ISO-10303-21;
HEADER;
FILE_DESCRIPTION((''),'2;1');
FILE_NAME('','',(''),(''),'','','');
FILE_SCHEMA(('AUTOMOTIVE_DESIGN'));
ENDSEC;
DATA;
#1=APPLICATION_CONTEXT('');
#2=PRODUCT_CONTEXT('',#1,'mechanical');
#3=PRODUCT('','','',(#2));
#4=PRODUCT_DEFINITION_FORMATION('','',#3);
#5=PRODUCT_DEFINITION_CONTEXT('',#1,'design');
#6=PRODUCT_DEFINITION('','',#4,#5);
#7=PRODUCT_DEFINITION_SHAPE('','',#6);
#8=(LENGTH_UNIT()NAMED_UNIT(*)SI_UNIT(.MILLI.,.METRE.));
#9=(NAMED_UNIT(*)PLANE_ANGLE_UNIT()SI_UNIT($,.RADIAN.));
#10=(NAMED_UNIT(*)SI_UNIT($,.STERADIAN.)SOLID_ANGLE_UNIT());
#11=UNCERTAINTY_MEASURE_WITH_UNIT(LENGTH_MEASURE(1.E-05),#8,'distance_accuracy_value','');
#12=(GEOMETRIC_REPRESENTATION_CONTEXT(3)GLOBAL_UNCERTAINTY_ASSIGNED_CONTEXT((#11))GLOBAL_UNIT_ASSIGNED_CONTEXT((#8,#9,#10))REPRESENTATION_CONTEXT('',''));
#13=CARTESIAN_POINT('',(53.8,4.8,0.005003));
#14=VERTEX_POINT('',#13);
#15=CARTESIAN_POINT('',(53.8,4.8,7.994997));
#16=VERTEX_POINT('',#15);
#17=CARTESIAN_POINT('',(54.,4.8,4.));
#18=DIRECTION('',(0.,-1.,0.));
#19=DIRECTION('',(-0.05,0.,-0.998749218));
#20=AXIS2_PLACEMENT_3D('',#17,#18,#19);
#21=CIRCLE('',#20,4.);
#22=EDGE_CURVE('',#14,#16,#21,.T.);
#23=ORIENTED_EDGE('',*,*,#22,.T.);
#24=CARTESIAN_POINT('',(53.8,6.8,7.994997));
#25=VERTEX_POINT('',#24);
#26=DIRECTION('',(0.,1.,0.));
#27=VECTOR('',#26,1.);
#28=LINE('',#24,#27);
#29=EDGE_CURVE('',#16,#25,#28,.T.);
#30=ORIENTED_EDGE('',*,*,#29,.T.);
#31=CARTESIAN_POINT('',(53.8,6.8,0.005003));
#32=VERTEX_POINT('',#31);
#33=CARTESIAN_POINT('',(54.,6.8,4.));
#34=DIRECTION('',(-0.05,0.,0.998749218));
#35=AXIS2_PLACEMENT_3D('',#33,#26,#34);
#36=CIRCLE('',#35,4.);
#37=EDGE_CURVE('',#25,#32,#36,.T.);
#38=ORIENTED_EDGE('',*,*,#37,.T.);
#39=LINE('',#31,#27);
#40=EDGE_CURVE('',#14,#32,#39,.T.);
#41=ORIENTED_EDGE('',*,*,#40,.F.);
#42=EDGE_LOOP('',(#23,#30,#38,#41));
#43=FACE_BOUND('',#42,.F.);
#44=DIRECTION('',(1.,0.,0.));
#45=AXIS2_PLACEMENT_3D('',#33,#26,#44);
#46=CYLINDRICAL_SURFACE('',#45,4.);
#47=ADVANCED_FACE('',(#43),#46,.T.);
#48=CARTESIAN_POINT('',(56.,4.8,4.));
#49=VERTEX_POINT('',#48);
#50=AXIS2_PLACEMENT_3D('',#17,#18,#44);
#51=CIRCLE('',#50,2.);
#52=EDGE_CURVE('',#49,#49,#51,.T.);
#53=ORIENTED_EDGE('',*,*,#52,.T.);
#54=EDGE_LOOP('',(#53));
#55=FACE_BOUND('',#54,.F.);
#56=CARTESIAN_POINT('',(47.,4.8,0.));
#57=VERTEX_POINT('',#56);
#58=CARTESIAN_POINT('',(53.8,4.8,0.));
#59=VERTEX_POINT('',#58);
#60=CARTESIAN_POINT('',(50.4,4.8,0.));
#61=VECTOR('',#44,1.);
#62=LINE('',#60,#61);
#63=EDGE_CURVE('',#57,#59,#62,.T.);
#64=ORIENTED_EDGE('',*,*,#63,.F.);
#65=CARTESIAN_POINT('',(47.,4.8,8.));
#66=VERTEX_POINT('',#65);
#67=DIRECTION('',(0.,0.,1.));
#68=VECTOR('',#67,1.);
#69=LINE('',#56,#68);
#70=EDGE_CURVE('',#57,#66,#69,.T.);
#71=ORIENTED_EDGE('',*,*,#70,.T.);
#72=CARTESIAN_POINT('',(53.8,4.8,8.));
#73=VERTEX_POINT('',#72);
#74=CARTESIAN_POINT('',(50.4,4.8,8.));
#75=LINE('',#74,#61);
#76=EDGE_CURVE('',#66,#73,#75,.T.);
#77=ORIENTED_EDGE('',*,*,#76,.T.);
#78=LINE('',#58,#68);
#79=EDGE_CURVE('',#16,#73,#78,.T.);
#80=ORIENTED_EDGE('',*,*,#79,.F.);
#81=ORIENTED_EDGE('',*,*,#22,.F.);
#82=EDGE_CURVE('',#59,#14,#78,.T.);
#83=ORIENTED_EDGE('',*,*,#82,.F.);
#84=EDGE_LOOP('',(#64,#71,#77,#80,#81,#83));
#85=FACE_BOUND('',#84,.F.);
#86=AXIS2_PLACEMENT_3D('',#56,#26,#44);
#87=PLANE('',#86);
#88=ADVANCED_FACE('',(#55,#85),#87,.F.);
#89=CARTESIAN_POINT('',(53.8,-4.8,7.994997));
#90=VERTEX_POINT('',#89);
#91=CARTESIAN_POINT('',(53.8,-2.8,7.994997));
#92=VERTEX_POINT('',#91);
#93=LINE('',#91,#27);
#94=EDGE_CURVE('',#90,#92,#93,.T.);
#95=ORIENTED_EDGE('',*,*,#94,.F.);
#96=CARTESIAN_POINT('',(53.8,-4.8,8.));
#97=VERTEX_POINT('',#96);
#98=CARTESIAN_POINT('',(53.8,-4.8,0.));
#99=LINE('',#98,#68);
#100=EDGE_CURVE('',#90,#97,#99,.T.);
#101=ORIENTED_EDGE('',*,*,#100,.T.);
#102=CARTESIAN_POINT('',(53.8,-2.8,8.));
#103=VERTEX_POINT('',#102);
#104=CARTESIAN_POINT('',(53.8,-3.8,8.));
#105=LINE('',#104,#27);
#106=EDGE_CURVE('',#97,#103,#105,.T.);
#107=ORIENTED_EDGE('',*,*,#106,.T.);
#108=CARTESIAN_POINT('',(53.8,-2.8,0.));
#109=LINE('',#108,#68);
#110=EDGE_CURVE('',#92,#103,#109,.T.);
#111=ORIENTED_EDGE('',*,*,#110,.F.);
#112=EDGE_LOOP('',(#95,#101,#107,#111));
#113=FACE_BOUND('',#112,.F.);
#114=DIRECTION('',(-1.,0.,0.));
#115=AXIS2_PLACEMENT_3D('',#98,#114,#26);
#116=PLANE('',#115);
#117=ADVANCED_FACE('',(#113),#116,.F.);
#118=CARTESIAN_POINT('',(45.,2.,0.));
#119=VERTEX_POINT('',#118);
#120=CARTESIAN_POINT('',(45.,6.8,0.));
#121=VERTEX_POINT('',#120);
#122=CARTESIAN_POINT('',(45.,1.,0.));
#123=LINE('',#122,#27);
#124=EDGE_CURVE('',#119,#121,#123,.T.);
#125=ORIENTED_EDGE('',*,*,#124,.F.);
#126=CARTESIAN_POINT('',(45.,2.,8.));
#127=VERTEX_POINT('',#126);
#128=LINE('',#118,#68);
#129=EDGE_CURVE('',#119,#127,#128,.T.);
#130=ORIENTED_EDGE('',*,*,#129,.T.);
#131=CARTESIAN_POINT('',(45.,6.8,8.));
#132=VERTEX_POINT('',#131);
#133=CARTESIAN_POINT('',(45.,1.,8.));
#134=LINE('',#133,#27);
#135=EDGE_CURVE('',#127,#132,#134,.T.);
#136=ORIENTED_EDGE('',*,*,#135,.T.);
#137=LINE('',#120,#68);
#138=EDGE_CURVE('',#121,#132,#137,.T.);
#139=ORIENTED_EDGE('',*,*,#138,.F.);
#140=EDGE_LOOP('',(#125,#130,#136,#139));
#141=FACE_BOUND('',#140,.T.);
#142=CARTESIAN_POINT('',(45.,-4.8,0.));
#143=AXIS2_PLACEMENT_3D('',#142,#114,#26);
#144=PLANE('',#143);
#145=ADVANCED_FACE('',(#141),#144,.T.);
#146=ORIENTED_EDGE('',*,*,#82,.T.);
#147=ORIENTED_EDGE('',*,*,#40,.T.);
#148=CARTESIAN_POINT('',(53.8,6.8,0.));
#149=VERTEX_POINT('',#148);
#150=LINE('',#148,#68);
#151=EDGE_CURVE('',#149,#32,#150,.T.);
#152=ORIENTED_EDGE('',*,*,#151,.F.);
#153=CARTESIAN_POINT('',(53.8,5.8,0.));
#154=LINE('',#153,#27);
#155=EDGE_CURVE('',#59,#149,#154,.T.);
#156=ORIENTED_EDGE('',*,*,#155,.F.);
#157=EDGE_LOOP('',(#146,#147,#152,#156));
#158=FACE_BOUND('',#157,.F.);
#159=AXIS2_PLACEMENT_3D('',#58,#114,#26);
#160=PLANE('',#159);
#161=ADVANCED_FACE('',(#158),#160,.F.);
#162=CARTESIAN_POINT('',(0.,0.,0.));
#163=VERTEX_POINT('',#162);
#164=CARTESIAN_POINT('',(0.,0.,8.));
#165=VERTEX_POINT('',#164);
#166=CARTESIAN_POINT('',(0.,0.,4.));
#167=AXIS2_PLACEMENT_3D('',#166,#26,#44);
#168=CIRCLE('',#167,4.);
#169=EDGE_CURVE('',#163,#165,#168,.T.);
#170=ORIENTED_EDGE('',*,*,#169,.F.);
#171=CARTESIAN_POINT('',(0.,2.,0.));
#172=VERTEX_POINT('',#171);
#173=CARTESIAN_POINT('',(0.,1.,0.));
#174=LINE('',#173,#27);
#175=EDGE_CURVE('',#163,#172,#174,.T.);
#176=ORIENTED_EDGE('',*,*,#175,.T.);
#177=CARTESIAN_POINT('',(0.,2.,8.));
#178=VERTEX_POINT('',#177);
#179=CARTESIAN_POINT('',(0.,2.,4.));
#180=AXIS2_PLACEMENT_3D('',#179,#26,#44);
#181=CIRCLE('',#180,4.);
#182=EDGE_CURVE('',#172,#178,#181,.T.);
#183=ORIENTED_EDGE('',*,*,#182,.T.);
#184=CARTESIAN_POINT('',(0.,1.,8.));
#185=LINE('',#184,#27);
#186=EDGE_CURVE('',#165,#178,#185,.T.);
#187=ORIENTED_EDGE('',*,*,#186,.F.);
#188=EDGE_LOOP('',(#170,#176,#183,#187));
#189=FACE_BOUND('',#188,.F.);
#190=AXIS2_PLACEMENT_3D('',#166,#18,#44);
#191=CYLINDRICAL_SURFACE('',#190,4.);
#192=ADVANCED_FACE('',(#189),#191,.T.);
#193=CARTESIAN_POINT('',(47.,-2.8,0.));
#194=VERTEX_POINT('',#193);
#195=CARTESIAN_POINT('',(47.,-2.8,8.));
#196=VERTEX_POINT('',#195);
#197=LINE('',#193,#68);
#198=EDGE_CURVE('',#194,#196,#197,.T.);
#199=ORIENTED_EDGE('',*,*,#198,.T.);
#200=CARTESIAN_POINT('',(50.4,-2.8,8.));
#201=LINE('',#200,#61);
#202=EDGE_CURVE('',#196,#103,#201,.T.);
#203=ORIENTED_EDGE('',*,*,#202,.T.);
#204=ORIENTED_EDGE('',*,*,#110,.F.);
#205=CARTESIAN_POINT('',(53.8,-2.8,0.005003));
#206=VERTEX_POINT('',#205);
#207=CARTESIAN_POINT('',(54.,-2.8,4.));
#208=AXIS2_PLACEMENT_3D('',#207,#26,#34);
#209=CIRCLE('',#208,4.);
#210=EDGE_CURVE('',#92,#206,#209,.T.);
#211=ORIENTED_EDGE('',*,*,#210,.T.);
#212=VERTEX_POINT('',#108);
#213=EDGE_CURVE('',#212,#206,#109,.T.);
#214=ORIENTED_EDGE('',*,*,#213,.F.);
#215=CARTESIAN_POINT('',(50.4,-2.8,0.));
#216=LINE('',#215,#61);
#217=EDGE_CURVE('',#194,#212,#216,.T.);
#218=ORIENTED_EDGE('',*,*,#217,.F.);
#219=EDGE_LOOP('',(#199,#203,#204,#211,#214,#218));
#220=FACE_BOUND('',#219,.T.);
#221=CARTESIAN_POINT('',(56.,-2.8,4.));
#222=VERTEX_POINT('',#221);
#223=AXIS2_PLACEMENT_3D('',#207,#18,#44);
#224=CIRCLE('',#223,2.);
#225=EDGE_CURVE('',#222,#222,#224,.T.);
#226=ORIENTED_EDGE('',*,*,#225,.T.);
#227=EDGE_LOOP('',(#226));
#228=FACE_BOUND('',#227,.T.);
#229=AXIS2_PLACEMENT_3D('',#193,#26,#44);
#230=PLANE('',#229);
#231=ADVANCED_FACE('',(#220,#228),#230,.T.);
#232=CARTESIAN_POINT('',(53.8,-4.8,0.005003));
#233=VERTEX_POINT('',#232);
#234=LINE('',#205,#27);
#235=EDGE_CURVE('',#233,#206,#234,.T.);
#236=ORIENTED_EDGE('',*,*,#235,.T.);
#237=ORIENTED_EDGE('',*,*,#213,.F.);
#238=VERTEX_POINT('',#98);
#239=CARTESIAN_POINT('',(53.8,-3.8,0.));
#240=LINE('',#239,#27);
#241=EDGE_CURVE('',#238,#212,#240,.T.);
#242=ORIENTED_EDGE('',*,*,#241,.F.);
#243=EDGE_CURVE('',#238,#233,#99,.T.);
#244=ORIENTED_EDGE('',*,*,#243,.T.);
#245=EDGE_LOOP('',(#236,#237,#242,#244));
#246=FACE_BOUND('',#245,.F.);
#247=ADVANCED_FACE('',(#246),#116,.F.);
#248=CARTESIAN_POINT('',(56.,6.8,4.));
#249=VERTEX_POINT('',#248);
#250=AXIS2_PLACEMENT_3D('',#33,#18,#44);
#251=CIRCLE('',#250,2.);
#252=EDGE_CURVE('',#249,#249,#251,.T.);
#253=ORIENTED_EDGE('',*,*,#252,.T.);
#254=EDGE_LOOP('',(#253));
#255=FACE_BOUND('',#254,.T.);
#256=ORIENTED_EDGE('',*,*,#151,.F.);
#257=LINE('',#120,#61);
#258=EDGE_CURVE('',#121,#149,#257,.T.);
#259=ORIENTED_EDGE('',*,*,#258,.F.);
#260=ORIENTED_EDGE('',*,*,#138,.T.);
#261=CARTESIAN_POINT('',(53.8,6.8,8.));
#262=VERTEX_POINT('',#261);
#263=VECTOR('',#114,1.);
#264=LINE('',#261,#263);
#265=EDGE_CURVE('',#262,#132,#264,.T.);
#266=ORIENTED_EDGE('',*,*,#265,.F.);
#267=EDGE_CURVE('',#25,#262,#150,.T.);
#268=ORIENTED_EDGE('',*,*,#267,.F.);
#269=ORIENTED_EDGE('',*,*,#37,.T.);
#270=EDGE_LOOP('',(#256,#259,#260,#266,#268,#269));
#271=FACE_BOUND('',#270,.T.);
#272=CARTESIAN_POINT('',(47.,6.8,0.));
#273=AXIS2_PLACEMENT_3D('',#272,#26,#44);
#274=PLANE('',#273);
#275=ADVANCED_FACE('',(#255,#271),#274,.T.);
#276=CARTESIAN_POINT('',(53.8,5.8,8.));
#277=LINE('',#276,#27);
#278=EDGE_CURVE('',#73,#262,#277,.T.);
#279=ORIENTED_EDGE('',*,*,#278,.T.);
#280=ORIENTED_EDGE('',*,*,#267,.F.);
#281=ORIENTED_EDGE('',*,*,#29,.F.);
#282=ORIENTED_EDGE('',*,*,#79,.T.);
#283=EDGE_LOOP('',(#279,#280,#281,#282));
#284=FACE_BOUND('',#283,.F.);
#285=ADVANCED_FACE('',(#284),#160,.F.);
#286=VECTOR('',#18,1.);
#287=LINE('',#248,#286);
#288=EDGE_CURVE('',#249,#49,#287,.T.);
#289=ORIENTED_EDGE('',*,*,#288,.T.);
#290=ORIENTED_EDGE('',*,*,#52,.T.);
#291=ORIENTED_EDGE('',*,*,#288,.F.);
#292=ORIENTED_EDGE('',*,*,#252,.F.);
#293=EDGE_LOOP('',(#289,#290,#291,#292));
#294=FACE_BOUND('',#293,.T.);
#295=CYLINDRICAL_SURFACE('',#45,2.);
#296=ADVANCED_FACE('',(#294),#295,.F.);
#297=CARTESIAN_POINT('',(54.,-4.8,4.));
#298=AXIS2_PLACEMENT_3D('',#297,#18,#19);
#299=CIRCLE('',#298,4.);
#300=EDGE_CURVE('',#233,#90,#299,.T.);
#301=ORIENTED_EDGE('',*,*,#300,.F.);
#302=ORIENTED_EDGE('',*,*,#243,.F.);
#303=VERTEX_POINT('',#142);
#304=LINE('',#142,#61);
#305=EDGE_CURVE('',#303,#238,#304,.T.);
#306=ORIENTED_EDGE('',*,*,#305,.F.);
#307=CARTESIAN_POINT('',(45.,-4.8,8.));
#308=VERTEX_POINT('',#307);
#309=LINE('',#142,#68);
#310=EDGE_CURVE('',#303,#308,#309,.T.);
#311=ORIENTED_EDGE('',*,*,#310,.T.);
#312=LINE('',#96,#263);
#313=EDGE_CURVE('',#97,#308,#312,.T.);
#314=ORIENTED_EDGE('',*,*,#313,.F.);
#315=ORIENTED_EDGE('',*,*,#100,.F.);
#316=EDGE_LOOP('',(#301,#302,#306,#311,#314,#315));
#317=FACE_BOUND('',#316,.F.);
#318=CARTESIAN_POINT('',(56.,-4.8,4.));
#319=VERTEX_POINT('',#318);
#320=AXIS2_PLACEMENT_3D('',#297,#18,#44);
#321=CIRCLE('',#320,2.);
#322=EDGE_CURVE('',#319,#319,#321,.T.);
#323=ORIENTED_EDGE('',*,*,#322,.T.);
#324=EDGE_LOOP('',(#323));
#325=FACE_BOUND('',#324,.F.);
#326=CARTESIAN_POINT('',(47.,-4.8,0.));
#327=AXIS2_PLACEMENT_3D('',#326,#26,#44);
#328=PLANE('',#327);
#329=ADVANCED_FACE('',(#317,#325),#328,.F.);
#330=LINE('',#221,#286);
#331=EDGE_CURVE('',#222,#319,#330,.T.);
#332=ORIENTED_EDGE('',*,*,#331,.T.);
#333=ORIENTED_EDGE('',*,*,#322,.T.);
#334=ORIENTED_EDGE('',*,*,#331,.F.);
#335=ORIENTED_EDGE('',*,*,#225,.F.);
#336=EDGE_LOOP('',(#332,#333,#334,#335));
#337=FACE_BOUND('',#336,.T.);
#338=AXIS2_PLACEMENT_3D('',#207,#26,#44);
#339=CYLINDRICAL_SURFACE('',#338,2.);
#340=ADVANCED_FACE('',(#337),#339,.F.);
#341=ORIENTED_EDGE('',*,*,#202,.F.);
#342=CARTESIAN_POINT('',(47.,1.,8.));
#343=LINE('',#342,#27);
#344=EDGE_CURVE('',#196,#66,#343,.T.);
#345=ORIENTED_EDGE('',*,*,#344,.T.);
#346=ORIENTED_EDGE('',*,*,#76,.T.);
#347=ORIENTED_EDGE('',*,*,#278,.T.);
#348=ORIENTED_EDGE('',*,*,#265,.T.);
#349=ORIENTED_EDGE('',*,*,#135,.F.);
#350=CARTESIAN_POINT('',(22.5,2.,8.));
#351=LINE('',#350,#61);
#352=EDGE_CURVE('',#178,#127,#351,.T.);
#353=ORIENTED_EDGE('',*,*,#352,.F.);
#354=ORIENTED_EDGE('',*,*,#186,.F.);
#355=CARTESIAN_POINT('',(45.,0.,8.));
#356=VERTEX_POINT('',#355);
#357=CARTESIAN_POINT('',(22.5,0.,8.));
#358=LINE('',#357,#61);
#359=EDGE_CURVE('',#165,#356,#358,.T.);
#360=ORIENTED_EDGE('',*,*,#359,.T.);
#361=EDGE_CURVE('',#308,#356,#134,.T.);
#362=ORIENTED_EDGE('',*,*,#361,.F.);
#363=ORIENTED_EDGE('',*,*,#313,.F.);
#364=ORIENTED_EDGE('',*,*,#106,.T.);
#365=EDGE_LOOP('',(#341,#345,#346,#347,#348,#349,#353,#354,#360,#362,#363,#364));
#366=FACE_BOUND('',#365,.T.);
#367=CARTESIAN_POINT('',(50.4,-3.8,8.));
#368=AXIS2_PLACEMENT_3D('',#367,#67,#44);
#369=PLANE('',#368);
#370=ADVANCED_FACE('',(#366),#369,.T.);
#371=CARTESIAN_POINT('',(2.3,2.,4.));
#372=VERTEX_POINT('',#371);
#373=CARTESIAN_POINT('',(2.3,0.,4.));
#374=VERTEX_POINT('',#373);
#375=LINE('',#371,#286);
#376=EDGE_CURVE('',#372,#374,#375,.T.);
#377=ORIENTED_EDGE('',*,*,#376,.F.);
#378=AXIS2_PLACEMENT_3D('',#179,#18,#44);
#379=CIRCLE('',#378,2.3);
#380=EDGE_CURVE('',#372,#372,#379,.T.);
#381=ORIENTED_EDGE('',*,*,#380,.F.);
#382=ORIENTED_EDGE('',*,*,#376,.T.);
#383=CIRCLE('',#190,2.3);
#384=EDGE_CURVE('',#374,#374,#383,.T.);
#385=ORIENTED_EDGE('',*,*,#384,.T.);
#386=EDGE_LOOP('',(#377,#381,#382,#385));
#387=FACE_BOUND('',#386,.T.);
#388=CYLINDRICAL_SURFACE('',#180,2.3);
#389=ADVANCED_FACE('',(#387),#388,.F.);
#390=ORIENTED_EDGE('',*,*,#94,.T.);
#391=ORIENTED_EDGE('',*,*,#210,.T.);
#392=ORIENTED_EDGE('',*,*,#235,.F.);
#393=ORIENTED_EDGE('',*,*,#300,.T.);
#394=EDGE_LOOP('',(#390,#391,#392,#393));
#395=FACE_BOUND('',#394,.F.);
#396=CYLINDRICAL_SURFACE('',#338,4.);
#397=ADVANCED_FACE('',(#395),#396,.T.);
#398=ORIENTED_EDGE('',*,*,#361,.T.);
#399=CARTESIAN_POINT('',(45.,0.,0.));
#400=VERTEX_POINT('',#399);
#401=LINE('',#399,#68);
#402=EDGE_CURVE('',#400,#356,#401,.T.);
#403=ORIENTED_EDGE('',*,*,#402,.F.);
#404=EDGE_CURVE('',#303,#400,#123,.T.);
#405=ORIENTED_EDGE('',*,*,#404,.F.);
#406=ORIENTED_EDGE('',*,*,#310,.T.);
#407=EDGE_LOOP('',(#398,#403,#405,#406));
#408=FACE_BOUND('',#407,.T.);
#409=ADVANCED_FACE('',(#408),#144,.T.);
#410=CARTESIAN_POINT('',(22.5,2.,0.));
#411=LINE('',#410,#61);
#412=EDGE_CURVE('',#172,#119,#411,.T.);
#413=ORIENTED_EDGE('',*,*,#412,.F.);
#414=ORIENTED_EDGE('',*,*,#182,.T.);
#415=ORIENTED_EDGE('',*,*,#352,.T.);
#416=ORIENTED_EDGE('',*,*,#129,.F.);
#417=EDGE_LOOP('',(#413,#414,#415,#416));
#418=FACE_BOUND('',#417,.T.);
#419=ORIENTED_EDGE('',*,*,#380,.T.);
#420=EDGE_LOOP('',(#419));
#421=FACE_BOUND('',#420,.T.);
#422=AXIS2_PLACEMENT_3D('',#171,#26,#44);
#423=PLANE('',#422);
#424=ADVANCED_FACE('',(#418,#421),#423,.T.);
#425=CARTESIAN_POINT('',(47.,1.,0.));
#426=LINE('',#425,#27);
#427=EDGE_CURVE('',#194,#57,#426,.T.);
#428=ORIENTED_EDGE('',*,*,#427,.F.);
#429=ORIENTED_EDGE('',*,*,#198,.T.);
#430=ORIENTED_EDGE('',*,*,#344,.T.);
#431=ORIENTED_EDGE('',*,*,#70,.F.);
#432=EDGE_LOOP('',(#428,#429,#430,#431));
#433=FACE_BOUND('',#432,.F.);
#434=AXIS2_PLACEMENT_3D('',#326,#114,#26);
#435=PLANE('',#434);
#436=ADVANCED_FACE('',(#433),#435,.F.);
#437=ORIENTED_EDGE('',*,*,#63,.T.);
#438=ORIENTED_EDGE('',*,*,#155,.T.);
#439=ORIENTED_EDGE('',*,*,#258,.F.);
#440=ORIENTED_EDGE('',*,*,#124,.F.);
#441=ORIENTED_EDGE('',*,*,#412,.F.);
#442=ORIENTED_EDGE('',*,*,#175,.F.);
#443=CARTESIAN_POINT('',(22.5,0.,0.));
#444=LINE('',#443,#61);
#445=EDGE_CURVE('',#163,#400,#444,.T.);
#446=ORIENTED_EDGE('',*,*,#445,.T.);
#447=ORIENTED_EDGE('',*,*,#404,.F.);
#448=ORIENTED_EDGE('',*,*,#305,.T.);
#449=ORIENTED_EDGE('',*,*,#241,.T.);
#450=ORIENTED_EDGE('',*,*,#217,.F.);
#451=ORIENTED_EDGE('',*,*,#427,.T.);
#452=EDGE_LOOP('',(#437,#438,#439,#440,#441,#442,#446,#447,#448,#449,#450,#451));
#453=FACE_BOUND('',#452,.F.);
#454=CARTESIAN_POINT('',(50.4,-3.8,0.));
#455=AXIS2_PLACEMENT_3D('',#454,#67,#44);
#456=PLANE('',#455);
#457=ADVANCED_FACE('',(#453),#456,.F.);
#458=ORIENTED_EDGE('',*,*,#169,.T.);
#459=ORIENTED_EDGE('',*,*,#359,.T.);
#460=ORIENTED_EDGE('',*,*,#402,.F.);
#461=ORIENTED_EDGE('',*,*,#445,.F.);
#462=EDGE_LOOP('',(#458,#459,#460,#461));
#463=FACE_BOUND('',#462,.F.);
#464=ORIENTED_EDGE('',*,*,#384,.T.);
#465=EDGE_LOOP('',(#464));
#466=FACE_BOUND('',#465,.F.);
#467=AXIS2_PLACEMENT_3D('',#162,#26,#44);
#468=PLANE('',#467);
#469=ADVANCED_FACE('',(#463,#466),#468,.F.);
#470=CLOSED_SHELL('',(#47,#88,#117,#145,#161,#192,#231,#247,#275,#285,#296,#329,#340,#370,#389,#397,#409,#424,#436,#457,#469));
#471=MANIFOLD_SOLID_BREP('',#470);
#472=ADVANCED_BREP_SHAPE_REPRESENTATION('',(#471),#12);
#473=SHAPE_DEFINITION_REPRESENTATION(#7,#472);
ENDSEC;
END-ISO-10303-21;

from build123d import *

# Parameters (mm, degrees)
CYLINDER003_R     = 2
CYLINDER003_DEPTH = 2
BOX002_W          = 6.8
BOX002_H          = 2
BOX002_DEPTH      = 8
CYLINDER002_R     = 4
CYLINDER002_DEPTH = 2
CYLINDER001_R     = 2.3
CYLINDER001_DEPTH = 2
CYLINDER_R        = 4
CYLINDER_DEPTH    = 2
BOX_W             = 45
BOX_H             = 2
BOX_DEPTH         = 8
CYLINDER005_R     = 2
CYLINDER005_DEPTH = 2
BOX003_W          = 6.8
BOX003_H          = 2
BOX003_DEPTH      = 8
CYLINDER004_R     = 4
CYLINDER004_DEPTH = 2
BOX001_W          = 2
BOX001_H          = 11.6
BOX001_DEPTH      = 8


with BuildPart() as cylinder003:
    # Cylinder003 → Cylinder003 (new body)
    with BuildSketch(Plane(origin=(54, 6.8, 4), x_dir=(1, 0, 0), z_dir=(0, -1, 0))):
        Circle(CYLINDER003_R)
    extrude(amount=CYLINDER003_DEPTH)


with BuildPart() as cube002:
    # Box002 → Box002 (new body)
    with BuildSketch(Plane(origin=(47, 4.8, 0), x_dir=(1, 0, 0), z_dir=(0, 0, 1))):
        with Locations((3.4, 1)):
            Rectangle(BOX002_W, BOX002_H)
    extrude(amount=BOX002_DEPTH)


with BuildPart() as cut001:
    # Cylinder002 → Cylinder002 (new body)
    with BuildSketch(Plane(origin=(54, 6.8, 4), x_dir=(1, 0, 0), z_dir=(0, -1, 0))):
        Circle(CYLINDER002_R)
    extrude(amount=CYLINDER002_DEPTH)

    # Fusion001: union Cube002
    add(cube002.part)

    # Cut001: cut Cylinder003
    add(cylinder003.part, mode=Mode.SUBTRACT)


with BuildPart() as cylinder001:
    # Cylinder001 → Cylinder001 (new body)
    with BuildSketch(Plane(origin=(0, 2, 4), x_dir=(1, 0, 0), z_dir=(0, -1, 0))):
        Circle(CYLINDER001_R)
    extrude(amount=CYLINDER001_DEPTH)


with BuildPart() as cylinder:
    # Cylinder → Cylinder (new body)
    with BuildSketch(Plane(origin=(0, 0, 4), x_dir=(1, 0, 0), z_dir=(0, 1, 0))):
        Circle(CYLINDER_R)
    extrude(amount=CYLINDER_DEPTH)


with BuildPart() as cut:
    # Box → Box (new body)
    with BuildSketch(Plane.XY):
        with Locations((22.5, 1)):
            Rectangle(BOX_W, BOX_H)
    extrude(amount=BOX_DEPTH)

    # Fusion: union Cylinder
    add(cylinder.part)

    # Cut: cut Cylinder001
    add(cylinder001.part, mode=Mode.SUBTRACT)


with BuildPart() as cylinder005:
    # Cylinder005 → Cylinder005 (new body)
    with BuildSketch(Plane(origin=(54, 6.8, 4), x_dir=(1, 0, 0), z_dir=(0, -1, 0))):
        Circle(CYLINDER005_R)
    extrude(amount=CYLINDER005_DEPTH)


with BuildPart() as cube003:
    # Box003 → Box003 (new body)
    with BuildSketch(Plane(origin=(47, 4.8, 0), x_dir=(1, 0, 0), z_dir=(0, 0, 1))):
        with Locations((3.4, 1)):
            Rectangle(BOX003_W, BOX003_H)
    extrude(amount=BOX003_DEPTH)


with BuildPart() as cut002:
    # Cylinder004 → Cylinder004 (new body)
    with BuildSketch(Plane(origin=(54, 6.8, 4), x_dir=(1, 0, 0), z_dir=(0, -1, 0))):
        Circle(CYLINDER004_R)
    extrude(amount=CYLINDER004_DEPTH)

    # Fusion002: union Cube003
    add(cube003.part)

    # Cut002: cut Cylinder005
    add(cylinder005.part, mode=Mode.SUBTRACT)


with BuildPart() as cut002_1:
    # Cut002 placement: moved
    add(cut002.part.moved(Location((0, -9.6, 0))))


with BuildPart() as fusion003:
    # Box001 → Box001 (new body)
    with BuildSketch(Plane(origin=(45, -4.8, 0), x_dir=(1, 0, 0), z_dir=(0, 0, 1))):
        with Locations((1, 5.8)):
            Rectangle(BOX001_W, BOX001_H)
    extrude(amount=BOX001_DEPTH)

    # Fusion003: union Cut001, Cut, Cut002
    add(cut001.part)
    add(cut.part)
    add(cut002_1.part)


solid = fusion003.part
